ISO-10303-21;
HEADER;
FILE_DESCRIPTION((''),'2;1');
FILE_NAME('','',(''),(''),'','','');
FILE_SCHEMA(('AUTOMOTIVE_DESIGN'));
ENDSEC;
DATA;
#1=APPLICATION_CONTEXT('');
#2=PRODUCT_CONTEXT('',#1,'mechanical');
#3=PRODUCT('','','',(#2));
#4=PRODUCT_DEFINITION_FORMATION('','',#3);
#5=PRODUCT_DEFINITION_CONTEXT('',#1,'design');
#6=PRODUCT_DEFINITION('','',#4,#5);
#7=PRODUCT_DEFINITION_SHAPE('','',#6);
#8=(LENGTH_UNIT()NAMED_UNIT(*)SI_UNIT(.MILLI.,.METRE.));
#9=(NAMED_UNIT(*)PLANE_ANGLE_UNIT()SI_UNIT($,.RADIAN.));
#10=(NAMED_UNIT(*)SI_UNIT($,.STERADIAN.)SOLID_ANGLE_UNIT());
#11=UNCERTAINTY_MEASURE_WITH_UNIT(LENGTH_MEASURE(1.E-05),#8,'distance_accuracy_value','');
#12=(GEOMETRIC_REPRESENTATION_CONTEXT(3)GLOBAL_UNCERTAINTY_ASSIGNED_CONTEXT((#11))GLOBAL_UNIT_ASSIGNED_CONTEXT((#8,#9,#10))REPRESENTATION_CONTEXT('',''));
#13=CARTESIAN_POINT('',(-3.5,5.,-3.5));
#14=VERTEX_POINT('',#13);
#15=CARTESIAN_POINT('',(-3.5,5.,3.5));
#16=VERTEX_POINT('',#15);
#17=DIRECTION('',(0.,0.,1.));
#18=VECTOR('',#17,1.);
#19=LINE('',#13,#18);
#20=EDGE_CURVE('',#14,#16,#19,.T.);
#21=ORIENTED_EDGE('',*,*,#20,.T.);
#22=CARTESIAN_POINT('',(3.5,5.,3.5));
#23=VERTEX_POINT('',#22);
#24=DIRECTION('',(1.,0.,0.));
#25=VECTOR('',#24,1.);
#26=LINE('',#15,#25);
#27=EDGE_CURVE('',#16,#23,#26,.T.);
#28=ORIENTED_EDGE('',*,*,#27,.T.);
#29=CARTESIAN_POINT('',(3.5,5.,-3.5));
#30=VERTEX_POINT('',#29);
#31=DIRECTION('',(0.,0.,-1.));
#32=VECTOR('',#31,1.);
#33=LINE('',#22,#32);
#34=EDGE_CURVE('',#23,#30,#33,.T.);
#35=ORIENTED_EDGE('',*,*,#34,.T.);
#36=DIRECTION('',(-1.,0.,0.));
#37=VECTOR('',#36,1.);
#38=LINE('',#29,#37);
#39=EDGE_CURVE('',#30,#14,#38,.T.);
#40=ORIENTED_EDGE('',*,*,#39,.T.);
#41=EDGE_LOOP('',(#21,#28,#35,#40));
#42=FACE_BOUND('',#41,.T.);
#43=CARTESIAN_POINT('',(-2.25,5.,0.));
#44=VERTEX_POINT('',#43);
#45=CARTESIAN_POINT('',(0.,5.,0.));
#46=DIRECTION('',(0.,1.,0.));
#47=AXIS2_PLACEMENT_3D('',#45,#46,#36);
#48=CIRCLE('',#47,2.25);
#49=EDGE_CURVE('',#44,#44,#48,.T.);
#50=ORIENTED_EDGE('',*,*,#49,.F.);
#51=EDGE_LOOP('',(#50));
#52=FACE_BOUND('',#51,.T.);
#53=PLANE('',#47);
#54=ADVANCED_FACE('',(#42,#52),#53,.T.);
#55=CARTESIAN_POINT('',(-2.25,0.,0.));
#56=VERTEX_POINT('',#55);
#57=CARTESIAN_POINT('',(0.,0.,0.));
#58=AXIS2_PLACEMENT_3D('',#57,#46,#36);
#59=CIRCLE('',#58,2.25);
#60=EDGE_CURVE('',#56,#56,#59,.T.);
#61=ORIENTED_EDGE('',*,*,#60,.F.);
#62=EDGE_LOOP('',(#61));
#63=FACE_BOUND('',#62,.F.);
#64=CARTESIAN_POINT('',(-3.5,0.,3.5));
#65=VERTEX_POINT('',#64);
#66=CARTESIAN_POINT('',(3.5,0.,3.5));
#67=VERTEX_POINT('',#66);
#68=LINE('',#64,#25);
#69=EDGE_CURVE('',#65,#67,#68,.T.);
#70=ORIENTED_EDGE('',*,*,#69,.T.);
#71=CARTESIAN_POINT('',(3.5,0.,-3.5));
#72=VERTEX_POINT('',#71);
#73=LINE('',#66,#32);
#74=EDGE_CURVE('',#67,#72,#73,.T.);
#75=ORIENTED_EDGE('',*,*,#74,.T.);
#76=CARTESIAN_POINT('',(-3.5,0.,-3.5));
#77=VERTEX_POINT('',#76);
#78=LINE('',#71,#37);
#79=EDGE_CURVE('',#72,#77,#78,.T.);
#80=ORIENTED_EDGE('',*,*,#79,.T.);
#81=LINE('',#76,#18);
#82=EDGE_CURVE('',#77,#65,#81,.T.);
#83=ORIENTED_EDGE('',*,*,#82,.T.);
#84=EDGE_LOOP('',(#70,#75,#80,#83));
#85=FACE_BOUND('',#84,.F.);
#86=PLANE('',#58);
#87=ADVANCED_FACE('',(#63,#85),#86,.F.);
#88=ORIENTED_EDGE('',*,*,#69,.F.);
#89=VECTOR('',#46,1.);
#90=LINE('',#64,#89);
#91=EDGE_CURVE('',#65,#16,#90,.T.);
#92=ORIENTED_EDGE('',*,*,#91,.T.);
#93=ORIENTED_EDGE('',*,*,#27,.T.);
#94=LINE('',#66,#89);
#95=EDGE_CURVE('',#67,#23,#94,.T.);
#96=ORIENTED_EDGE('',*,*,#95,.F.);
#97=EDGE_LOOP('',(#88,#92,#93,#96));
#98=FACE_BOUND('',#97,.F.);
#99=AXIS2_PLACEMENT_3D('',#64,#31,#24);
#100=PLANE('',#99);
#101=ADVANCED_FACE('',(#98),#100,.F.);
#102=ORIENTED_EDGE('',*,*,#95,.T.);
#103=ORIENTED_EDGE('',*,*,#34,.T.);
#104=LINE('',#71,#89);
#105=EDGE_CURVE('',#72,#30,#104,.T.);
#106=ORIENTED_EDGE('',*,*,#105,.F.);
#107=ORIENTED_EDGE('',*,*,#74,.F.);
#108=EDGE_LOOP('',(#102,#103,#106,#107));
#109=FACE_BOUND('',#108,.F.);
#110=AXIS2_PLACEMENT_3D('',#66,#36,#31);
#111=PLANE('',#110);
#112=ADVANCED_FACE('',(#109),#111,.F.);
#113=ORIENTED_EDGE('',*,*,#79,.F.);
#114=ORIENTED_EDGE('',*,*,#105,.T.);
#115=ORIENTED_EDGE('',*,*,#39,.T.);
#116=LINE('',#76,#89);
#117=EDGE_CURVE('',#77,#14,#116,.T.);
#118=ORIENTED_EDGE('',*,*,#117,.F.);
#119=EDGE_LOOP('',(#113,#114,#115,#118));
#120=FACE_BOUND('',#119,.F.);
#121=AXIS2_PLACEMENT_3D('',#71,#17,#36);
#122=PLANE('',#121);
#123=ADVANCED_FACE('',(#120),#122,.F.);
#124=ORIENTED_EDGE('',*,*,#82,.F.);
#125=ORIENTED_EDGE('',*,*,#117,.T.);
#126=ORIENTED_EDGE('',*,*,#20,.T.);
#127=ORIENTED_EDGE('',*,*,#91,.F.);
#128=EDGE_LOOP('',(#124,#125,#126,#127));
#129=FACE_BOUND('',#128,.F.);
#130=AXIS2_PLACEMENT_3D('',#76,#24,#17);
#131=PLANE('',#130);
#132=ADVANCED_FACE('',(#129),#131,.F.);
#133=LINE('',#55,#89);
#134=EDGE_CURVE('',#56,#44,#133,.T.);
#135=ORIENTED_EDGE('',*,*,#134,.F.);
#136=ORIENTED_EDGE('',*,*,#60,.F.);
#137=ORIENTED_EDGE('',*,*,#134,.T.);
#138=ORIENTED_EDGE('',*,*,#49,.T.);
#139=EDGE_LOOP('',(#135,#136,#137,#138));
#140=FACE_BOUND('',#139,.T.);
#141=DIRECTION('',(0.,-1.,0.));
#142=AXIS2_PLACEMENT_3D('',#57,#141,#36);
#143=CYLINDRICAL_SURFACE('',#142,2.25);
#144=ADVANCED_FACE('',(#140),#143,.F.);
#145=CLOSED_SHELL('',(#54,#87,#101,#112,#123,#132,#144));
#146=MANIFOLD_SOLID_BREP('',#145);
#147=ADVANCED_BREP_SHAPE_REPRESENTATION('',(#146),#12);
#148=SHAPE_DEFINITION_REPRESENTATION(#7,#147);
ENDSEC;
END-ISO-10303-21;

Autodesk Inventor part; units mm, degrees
ref_plane "YZ Plane" through (0, 0, 0) normal (1, 0, 0) x (0, 1, 0)
ref_plane "XZ Plane" through (0, 0, 0) normal (0, 1, 0) x (-1, 0, 0)
ref_plane "XY Plane" through (0, 0, 0) normal (0, 0, 1) x (1, 0, 0)
sketch "Sketch1" plane through (0, 0, 0) normal (0, 1, 0) x (-1, 0, 0)
  circle A0 centre (0, 0) radius 2.25
  line L0 (3.5, 3.5) -> (-3.5, 3.5)
  line L1 (-3.5, 3.5) -> (-3.5, -3.5)
  line L2 (-3.5, -3.5) -> (3.5, -3.5)
  line L3 (3.5, -3.5) -> (3.5, 3.5)
  line L4 (3.5, 3.5) -> (-3.5, -3.5) construction
  line L5 (-3.5, 3.5) -> (3.5, -3.5) construction
  dimension "d0" = 4.5
  dimension "d1" = 7
  dimension "d2" = 7
extrude "Extrusion1" add sketch "Sketch1" along normal blind 5
properties part number "escrew"
